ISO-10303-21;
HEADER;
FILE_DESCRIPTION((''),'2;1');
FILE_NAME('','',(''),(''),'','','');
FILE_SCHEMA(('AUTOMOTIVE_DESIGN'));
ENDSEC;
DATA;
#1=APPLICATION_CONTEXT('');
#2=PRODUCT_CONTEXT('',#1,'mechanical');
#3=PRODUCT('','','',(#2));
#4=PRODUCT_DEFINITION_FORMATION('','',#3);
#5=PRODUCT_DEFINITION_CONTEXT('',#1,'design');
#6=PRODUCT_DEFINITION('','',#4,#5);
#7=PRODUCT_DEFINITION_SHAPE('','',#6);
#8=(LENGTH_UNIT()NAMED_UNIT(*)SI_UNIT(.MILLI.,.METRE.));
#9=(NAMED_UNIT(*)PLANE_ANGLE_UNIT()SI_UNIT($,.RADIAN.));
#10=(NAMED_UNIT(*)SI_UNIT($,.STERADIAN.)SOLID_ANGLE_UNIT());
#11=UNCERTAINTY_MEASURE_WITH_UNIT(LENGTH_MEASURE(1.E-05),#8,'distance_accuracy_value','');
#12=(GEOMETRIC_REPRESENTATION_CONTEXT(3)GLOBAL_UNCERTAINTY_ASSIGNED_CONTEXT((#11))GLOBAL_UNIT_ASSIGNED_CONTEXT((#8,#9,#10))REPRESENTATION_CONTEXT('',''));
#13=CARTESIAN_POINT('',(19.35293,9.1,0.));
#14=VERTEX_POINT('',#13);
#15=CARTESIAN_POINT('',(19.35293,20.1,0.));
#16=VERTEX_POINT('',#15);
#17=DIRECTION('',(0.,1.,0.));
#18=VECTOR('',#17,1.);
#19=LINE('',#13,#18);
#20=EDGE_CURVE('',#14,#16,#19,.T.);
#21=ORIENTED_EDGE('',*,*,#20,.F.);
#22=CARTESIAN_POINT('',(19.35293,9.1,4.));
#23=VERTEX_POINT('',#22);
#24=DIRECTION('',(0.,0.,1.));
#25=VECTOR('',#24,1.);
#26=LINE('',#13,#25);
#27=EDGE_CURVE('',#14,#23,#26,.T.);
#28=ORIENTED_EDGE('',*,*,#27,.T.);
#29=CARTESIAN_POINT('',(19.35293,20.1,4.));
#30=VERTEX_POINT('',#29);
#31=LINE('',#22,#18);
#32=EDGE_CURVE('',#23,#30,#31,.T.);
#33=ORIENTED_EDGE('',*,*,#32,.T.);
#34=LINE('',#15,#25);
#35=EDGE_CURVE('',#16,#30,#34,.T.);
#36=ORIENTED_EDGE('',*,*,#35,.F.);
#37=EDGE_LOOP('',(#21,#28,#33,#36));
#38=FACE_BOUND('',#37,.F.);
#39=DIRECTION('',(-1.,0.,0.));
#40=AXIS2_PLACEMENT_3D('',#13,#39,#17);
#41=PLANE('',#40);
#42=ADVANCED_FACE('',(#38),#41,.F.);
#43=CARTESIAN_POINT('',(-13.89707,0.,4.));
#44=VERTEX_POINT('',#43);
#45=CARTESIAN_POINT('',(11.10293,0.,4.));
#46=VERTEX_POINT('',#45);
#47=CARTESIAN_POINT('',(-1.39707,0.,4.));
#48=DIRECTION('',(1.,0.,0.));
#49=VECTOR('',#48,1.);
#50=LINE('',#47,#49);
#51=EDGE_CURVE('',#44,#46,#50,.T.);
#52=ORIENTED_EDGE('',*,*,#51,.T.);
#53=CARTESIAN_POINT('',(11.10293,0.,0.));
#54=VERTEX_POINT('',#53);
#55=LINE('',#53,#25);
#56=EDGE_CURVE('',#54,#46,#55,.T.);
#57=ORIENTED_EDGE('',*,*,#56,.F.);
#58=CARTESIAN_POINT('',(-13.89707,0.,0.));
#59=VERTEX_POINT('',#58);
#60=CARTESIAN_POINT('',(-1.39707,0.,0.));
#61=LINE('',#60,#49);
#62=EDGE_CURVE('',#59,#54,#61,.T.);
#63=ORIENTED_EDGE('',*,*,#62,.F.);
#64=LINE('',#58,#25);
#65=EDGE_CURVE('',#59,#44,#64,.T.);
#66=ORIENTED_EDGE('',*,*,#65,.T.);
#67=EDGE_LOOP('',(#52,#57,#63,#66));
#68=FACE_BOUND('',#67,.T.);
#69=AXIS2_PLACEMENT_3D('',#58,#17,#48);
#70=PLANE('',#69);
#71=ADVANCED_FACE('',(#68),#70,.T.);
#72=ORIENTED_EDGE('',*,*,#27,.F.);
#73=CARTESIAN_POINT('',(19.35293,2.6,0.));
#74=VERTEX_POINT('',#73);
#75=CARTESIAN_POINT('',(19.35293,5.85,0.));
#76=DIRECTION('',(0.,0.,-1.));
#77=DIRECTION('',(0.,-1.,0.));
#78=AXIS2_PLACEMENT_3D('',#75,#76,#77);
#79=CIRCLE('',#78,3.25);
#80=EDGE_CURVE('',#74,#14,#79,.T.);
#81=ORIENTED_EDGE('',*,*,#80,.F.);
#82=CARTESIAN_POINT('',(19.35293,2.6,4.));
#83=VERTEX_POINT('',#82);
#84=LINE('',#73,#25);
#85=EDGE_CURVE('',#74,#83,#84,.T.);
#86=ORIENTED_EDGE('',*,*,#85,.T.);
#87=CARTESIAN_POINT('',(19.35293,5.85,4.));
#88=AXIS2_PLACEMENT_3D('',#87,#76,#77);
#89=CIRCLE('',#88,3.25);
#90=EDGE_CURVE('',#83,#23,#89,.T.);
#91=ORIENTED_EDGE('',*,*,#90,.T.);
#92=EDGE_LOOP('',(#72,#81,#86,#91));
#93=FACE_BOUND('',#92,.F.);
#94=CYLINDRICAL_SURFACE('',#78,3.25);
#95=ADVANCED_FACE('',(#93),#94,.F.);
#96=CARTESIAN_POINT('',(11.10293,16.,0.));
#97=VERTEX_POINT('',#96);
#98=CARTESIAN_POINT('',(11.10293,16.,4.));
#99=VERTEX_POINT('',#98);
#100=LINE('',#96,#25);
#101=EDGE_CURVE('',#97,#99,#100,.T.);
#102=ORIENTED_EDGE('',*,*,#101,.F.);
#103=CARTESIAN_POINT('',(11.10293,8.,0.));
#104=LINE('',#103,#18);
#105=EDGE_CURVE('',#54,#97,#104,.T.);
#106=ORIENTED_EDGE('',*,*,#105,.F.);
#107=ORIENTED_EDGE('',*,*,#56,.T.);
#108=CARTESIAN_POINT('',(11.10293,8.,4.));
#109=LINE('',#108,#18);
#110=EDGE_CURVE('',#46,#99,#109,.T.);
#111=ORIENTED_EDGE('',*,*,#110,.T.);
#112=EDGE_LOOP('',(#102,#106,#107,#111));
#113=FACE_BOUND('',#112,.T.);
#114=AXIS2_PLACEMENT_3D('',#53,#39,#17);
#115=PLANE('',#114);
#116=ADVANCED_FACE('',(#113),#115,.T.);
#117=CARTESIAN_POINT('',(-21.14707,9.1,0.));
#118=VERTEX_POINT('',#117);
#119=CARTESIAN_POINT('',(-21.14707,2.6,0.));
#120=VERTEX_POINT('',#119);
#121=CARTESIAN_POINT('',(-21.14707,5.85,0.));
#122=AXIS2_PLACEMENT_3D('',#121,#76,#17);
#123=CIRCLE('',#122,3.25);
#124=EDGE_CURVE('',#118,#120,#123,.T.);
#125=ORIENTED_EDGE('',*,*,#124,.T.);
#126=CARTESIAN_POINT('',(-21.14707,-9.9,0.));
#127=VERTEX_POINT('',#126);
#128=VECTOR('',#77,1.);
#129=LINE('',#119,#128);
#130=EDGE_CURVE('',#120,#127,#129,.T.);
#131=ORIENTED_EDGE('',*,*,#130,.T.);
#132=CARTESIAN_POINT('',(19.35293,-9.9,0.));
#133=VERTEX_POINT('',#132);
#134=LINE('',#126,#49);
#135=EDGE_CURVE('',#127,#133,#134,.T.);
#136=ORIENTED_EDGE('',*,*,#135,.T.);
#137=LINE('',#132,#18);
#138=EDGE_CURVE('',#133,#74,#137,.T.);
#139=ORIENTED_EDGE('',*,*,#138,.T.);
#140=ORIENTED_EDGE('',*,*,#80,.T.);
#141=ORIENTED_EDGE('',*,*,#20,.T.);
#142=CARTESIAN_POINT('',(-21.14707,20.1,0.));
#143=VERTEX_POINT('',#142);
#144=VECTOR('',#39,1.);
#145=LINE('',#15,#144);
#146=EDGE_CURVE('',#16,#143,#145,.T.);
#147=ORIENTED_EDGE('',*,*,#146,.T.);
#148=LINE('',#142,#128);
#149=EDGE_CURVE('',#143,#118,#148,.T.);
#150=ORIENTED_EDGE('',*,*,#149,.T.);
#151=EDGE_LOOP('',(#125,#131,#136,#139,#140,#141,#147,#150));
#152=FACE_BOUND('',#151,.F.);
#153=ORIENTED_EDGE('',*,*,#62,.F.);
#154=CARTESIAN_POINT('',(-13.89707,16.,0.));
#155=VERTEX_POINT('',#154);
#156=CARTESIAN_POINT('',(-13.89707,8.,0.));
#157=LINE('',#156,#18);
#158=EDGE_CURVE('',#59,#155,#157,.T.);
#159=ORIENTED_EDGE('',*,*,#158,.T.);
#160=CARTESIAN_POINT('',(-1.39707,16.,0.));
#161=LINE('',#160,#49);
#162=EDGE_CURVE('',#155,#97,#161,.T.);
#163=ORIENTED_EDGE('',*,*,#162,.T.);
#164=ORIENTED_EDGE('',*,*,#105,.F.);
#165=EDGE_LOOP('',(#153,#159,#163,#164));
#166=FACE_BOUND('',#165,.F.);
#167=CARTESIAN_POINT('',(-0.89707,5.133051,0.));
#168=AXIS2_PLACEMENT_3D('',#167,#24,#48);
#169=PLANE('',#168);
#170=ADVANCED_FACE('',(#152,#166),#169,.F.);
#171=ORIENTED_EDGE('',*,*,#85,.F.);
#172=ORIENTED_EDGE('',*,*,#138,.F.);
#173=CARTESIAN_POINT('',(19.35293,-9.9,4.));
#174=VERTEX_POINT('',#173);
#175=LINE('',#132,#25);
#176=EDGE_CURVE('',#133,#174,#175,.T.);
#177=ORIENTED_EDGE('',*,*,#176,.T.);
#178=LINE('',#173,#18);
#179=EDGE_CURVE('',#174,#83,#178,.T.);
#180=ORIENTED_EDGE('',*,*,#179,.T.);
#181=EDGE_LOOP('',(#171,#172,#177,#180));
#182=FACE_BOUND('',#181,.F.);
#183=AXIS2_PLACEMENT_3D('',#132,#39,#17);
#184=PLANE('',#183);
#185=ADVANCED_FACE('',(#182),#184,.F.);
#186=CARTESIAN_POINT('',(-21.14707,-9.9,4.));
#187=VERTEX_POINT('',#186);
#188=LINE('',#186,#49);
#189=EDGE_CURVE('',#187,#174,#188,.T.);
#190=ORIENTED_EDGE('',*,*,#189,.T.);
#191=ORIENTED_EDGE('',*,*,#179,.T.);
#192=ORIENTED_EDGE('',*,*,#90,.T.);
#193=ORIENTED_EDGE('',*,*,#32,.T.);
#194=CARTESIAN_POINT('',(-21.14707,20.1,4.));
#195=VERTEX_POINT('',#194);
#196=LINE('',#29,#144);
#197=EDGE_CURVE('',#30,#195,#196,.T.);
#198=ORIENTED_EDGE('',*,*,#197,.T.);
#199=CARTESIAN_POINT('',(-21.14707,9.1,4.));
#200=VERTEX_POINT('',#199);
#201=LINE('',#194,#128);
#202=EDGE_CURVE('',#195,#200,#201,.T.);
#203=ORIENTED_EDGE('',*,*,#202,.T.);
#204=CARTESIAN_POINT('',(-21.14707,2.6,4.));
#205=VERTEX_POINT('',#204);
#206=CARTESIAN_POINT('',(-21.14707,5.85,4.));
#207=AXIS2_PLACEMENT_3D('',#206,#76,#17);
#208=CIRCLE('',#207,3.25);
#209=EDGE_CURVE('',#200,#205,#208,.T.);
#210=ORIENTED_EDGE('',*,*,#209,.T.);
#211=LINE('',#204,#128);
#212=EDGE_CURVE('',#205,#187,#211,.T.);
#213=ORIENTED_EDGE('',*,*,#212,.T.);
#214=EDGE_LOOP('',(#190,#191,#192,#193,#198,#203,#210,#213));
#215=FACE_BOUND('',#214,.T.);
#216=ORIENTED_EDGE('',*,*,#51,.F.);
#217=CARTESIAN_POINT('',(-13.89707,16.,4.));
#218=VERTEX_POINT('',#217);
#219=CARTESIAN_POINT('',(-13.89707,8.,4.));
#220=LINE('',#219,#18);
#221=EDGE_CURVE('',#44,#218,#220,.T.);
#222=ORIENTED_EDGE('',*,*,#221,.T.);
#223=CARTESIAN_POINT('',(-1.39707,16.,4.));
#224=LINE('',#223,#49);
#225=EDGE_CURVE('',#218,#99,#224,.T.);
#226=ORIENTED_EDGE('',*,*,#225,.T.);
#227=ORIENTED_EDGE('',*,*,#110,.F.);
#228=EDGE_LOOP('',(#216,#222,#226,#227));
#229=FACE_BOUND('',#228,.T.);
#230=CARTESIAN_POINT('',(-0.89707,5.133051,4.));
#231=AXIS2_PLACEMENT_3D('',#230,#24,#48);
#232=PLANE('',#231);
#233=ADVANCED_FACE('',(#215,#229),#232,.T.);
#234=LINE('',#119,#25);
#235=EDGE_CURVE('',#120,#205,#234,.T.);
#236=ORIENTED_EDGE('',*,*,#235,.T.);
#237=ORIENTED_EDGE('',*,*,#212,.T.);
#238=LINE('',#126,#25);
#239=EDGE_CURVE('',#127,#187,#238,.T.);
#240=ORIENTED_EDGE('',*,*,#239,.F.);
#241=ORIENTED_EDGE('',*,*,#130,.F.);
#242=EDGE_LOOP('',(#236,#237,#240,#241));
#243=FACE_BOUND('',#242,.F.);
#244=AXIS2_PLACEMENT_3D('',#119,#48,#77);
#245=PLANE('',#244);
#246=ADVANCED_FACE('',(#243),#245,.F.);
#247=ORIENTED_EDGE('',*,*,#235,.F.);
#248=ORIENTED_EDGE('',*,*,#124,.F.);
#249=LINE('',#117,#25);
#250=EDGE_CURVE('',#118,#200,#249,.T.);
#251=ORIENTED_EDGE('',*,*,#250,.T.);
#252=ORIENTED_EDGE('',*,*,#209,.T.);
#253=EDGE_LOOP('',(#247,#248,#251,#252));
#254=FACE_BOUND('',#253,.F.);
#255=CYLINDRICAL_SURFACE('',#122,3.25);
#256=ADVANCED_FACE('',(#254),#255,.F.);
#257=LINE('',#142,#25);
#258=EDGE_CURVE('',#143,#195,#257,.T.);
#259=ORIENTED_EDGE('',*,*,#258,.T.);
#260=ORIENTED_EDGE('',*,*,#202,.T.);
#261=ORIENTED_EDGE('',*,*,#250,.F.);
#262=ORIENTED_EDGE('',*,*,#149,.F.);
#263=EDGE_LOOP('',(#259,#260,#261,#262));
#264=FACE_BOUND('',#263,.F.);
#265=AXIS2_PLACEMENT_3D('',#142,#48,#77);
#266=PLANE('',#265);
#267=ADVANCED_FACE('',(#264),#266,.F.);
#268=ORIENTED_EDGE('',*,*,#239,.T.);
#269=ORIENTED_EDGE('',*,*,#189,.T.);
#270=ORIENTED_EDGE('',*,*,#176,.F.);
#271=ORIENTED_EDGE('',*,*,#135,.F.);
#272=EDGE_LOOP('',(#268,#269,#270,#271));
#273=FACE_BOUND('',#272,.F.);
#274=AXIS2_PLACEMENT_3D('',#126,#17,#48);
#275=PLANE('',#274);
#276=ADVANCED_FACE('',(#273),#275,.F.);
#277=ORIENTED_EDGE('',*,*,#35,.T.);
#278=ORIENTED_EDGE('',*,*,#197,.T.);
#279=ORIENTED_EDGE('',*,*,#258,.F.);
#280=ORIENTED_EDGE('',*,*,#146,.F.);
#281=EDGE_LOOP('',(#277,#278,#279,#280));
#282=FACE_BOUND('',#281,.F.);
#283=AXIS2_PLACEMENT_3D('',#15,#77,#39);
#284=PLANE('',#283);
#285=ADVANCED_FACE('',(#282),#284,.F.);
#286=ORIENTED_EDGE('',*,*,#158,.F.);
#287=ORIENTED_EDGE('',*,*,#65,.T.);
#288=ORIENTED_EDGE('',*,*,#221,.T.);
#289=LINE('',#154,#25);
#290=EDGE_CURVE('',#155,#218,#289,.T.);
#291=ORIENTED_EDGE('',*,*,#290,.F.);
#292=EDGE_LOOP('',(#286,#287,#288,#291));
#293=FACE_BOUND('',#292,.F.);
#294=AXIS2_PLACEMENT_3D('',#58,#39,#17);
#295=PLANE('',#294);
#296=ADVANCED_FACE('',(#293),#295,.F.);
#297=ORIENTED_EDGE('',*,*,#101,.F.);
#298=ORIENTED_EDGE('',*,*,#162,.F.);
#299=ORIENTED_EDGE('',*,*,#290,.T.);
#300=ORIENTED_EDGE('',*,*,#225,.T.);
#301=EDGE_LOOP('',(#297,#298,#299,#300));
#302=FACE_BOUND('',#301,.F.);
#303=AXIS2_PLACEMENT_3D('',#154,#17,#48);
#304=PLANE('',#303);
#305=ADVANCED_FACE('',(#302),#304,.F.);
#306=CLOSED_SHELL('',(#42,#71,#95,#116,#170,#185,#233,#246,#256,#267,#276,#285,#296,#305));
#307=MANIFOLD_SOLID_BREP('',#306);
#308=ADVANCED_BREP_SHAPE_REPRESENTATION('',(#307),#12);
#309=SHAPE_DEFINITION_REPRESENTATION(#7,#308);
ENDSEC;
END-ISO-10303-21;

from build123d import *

# Parameters (mm, degrees)
F0_W     = 25
F0_H     = 16
F1_DEPTH = 4


with BuildPart() as f1:
    # F0 (on Top) → F1 (new body)
    with BuildSketch(Plane.XY):
        with BuildLine():
            Line((19.35293, 20.1), (-21.14707, 20.1))
            Line((-21.14707, 20.1), (-21.14707, 9.1))
            ThreePointArc((-21.14707, 9.1), (-17.89707, 5.85), (-21.14707, 2.6))
            Line((-21.14707, 2.6), (-21.14707, -9.9))
            Line((-21.14707, -9.9), (19.35293, -9.9))
            Line((19.35293, -9.9), (19.35293, 2.6))
            ThreePointArc((19.35293, 2.6), (16.10293, 5.85), (19.35293, 9.1))
            Line((19.35293, 9.1), (19.35293, 20.1))
        make_face()
        with Locations((-1.39707, 8)):
            Rectangle(F0_W, F0_H, mode=Mode.SUBTRACT)
    extrude(amount=F1_DEPTH)


solid = f1.part
